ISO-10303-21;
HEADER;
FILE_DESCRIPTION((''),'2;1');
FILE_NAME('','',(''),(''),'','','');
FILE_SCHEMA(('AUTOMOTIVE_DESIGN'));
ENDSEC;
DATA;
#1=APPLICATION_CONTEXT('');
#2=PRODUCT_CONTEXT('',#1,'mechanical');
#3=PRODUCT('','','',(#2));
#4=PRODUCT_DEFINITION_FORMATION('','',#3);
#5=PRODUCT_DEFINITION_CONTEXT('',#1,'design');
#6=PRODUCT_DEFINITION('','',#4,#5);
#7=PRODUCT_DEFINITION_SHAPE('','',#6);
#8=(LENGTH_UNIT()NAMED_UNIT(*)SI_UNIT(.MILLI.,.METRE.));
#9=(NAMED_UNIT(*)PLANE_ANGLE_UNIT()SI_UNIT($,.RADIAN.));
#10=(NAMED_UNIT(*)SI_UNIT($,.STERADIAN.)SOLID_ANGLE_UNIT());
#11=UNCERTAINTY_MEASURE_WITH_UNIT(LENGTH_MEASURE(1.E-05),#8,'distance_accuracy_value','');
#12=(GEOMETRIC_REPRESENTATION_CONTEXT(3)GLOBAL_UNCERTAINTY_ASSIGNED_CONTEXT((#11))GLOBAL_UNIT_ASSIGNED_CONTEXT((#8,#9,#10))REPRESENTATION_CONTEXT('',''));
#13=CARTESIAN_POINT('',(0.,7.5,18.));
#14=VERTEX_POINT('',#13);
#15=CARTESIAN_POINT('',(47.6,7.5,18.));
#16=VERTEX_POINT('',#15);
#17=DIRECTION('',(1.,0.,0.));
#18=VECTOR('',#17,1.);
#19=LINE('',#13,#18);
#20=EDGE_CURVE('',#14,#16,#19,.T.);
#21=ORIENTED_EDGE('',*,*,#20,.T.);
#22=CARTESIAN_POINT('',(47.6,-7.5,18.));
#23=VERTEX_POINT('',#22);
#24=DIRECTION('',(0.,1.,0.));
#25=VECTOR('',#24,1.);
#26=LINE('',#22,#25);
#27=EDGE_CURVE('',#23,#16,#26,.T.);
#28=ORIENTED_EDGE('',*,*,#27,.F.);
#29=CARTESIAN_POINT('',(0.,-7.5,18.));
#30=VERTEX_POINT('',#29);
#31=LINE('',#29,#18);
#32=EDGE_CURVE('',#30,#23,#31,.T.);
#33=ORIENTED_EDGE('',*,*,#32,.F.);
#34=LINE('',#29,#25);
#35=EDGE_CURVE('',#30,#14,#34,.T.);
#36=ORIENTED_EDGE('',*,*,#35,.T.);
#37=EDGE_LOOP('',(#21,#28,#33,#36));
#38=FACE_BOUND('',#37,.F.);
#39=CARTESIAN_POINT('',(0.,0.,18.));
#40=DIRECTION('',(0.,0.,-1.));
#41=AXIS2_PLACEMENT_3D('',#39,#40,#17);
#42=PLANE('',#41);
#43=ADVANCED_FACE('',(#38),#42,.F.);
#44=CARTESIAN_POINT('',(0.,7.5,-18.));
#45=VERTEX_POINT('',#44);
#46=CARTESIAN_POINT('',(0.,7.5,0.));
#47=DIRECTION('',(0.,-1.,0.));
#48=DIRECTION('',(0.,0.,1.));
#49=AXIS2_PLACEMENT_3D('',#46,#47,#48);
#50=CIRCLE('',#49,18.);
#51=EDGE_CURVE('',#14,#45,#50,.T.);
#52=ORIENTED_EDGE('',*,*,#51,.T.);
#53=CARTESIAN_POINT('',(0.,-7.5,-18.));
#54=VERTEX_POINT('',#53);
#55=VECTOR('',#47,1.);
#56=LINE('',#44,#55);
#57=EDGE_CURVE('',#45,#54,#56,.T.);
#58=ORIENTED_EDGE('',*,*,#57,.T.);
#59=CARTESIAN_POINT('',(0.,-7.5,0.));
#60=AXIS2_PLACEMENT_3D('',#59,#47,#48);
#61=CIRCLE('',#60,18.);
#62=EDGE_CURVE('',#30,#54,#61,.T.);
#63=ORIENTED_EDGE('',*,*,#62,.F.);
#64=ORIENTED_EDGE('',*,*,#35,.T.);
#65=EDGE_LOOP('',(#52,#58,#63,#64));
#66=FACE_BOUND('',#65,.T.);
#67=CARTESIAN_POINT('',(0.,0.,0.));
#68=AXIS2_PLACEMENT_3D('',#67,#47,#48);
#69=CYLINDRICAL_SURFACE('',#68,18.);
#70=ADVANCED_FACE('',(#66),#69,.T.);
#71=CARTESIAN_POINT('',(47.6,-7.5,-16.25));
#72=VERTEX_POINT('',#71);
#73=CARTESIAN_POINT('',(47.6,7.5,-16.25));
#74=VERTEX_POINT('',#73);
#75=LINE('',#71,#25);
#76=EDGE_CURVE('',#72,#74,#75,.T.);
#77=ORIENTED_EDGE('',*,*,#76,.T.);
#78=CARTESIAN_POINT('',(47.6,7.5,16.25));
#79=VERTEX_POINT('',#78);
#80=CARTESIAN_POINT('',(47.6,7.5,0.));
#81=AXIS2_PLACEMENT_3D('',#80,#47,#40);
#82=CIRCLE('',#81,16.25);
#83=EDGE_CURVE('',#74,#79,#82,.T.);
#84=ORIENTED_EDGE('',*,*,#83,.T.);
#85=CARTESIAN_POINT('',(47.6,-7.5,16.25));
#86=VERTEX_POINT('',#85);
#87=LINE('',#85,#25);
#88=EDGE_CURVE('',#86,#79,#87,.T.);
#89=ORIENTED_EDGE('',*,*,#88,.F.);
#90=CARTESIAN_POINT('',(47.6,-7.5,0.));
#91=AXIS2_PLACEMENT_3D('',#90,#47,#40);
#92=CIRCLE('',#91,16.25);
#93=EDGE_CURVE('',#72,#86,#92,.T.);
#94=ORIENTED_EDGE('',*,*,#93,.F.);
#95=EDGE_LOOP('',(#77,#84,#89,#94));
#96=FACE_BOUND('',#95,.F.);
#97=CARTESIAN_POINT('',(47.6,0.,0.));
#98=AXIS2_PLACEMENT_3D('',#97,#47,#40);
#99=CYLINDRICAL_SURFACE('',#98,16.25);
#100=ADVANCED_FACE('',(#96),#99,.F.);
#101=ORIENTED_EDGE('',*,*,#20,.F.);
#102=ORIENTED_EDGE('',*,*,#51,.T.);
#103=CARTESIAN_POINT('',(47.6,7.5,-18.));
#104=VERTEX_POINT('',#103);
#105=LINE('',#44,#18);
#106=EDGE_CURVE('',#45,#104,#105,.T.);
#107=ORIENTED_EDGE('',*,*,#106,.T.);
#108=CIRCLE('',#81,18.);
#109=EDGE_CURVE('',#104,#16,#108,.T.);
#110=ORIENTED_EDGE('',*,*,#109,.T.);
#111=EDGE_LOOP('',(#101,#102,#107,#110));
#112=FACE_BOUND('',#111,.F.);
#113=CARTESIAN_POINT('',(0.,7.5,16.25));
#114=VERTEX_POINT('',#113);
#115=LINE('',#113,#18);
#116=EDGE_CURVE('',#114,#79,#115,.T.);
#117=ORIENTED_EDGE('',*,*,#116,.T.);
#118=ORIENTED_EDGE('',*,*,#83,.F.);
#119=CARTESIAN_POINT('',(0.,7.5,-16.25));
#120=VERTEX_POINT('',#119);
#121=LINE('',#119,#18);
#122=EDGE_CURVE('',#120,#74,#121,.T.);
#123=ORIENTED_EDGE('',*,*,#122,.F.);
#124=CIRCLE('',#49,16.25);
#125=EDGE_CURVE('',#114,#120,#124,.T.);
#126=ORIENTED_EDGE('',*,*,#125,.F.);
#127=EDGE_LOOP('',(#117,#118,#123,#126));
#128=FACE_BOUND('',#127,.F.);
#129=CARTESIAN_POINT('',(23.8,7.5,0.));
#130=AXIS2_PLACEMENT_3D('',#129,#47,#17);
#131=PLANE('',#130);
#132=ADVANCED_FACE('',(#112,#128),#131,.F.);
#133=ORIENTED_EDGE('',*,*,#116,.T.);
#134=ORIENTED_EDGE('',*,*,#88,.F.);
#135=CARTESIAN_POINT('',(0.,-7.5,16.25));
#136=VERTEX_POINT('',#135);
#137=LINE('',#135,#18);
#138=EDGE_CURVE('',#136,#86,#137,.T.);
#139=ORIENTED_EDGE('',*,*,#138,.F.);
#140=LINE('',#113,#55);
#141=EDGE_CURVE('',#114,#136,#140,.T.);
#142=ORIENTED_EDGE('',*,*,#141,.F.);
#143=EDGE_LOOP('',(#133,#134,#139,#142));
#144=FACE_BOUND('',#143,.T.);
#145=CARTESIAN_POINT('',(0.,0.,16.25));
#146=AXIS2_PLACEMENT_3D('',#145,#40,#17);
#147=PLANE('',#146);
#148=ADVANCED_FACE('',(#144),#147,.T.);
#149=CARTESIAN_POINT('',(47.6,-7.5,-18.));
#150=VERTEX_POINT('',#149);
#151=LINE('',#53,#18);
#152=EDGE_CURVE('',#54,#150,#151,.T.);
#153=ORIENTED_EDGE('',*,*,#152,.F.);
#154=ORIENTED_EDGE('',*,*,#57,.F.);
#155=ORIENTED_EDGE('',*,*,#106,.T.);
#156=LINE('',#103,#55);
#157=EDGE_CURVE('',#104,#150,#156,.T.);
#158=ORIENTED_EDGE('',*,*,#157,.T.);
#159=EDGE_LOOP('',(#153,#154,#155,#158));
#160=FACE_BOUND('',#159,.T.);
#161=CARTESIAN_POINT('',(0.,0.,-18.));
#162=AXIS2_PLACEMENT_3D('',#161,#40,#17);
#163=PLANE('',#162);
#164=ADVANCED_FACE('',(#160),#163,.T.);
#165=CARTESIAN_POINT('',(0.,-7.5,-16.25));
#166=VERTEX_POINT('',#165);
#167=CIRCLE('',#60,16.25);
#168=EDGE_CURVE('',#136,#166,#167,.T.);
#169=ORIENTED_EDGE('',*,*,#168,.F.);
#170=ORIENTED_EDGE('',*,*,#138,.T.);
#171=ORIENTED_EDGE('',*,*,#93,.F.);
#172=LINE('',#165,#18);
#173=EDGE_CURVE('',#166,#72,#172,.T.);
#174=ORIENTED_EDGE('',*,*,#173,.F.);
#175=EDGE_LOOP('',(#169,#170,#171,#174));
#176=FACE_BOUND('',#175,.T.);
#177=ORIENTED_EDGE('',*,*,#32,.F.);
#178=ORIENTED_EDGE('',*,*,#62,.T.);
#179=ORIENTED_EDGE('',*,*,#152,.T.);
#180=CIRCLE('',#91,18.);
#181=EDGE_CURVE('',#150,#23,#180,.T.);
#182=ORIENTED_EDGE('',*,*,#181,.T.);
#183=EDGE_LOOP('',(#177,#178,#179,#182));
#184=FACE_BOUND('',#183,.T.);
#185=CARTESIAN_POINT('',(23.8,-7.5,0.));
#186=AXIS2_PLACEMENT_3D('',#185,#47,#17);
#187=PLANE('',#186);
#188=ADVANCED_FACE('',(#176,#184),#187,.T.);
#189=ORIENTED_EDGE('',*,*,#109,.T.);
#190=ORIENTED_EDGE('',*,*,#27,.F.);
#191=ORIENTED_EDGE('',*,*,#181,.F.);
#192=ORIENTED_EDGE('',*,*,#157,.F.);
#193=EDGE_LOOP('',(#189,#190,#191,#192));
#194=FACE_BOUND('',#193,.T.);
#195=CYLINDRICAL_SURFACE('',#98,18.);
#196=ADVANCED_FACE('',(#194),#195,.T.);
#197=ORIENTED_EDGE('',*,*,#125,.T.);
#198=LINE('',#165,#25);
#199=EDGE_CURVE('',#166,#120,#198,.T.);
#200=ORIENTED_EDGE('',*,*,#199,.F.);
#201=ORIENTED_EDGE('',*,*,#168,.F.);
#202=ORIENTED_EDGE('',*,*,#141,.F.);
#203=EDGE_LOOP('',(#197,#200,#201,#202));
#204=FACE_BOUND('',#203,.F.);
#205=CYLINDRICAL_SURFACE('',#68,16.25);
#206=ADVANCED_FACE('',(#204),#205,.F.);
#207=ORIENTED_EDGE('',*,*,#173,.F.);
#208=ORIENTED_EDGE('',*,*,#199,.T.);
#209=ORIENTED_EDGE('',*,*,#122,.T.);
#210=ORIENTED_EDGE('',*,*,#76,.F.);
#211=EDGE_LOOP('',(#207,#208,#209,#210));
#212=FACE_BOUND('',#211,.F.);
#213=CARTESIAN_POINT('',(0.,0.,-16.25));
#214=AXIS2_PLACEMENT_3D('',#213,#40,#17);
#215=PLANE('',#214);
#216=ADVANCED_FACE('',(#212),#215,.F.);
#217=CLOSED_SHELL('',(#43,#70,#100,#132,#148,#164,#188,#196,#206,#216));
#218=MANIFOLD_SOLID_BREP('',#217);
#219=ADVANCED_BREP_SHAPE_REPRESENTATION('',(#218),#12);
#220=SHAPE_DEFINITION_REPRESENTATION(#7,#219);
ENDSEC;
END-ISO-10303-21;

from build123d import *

# Parameters (mm, degrees)
PAD_DEPTH = 7.5


with BuildPart() as part:
    # Sketch → Pad (new body, symmetric)
    with BuildSketch(Plane.XZ):
        with BuildLine():
            ThreePointArc((0, 18), (-18, 0), (0, -18))
            Line((0, -18), (47.6, -18))
            ThreePointArc((47.6, -18), (65.6, 0), (47.6, 18))
            Line((0, 18), (47.6, 18))
        make_face()
        with BuildLine():
            ThreePointArc((0, 16.25), (-16.25, 0), (0, -16.25))
            Line((0, -16.25), (47.6, -16.25))
            ThreePointArc((47.6, -16.25), (63.85, 0), (47.6, 16.25))
            Line((0, 16.25), (47.6, 16.25))
        make_face(mode=Mode.SUBTRACT)
    extrude(amount=PAD_DEPTH, both=True)


solid = part.part
